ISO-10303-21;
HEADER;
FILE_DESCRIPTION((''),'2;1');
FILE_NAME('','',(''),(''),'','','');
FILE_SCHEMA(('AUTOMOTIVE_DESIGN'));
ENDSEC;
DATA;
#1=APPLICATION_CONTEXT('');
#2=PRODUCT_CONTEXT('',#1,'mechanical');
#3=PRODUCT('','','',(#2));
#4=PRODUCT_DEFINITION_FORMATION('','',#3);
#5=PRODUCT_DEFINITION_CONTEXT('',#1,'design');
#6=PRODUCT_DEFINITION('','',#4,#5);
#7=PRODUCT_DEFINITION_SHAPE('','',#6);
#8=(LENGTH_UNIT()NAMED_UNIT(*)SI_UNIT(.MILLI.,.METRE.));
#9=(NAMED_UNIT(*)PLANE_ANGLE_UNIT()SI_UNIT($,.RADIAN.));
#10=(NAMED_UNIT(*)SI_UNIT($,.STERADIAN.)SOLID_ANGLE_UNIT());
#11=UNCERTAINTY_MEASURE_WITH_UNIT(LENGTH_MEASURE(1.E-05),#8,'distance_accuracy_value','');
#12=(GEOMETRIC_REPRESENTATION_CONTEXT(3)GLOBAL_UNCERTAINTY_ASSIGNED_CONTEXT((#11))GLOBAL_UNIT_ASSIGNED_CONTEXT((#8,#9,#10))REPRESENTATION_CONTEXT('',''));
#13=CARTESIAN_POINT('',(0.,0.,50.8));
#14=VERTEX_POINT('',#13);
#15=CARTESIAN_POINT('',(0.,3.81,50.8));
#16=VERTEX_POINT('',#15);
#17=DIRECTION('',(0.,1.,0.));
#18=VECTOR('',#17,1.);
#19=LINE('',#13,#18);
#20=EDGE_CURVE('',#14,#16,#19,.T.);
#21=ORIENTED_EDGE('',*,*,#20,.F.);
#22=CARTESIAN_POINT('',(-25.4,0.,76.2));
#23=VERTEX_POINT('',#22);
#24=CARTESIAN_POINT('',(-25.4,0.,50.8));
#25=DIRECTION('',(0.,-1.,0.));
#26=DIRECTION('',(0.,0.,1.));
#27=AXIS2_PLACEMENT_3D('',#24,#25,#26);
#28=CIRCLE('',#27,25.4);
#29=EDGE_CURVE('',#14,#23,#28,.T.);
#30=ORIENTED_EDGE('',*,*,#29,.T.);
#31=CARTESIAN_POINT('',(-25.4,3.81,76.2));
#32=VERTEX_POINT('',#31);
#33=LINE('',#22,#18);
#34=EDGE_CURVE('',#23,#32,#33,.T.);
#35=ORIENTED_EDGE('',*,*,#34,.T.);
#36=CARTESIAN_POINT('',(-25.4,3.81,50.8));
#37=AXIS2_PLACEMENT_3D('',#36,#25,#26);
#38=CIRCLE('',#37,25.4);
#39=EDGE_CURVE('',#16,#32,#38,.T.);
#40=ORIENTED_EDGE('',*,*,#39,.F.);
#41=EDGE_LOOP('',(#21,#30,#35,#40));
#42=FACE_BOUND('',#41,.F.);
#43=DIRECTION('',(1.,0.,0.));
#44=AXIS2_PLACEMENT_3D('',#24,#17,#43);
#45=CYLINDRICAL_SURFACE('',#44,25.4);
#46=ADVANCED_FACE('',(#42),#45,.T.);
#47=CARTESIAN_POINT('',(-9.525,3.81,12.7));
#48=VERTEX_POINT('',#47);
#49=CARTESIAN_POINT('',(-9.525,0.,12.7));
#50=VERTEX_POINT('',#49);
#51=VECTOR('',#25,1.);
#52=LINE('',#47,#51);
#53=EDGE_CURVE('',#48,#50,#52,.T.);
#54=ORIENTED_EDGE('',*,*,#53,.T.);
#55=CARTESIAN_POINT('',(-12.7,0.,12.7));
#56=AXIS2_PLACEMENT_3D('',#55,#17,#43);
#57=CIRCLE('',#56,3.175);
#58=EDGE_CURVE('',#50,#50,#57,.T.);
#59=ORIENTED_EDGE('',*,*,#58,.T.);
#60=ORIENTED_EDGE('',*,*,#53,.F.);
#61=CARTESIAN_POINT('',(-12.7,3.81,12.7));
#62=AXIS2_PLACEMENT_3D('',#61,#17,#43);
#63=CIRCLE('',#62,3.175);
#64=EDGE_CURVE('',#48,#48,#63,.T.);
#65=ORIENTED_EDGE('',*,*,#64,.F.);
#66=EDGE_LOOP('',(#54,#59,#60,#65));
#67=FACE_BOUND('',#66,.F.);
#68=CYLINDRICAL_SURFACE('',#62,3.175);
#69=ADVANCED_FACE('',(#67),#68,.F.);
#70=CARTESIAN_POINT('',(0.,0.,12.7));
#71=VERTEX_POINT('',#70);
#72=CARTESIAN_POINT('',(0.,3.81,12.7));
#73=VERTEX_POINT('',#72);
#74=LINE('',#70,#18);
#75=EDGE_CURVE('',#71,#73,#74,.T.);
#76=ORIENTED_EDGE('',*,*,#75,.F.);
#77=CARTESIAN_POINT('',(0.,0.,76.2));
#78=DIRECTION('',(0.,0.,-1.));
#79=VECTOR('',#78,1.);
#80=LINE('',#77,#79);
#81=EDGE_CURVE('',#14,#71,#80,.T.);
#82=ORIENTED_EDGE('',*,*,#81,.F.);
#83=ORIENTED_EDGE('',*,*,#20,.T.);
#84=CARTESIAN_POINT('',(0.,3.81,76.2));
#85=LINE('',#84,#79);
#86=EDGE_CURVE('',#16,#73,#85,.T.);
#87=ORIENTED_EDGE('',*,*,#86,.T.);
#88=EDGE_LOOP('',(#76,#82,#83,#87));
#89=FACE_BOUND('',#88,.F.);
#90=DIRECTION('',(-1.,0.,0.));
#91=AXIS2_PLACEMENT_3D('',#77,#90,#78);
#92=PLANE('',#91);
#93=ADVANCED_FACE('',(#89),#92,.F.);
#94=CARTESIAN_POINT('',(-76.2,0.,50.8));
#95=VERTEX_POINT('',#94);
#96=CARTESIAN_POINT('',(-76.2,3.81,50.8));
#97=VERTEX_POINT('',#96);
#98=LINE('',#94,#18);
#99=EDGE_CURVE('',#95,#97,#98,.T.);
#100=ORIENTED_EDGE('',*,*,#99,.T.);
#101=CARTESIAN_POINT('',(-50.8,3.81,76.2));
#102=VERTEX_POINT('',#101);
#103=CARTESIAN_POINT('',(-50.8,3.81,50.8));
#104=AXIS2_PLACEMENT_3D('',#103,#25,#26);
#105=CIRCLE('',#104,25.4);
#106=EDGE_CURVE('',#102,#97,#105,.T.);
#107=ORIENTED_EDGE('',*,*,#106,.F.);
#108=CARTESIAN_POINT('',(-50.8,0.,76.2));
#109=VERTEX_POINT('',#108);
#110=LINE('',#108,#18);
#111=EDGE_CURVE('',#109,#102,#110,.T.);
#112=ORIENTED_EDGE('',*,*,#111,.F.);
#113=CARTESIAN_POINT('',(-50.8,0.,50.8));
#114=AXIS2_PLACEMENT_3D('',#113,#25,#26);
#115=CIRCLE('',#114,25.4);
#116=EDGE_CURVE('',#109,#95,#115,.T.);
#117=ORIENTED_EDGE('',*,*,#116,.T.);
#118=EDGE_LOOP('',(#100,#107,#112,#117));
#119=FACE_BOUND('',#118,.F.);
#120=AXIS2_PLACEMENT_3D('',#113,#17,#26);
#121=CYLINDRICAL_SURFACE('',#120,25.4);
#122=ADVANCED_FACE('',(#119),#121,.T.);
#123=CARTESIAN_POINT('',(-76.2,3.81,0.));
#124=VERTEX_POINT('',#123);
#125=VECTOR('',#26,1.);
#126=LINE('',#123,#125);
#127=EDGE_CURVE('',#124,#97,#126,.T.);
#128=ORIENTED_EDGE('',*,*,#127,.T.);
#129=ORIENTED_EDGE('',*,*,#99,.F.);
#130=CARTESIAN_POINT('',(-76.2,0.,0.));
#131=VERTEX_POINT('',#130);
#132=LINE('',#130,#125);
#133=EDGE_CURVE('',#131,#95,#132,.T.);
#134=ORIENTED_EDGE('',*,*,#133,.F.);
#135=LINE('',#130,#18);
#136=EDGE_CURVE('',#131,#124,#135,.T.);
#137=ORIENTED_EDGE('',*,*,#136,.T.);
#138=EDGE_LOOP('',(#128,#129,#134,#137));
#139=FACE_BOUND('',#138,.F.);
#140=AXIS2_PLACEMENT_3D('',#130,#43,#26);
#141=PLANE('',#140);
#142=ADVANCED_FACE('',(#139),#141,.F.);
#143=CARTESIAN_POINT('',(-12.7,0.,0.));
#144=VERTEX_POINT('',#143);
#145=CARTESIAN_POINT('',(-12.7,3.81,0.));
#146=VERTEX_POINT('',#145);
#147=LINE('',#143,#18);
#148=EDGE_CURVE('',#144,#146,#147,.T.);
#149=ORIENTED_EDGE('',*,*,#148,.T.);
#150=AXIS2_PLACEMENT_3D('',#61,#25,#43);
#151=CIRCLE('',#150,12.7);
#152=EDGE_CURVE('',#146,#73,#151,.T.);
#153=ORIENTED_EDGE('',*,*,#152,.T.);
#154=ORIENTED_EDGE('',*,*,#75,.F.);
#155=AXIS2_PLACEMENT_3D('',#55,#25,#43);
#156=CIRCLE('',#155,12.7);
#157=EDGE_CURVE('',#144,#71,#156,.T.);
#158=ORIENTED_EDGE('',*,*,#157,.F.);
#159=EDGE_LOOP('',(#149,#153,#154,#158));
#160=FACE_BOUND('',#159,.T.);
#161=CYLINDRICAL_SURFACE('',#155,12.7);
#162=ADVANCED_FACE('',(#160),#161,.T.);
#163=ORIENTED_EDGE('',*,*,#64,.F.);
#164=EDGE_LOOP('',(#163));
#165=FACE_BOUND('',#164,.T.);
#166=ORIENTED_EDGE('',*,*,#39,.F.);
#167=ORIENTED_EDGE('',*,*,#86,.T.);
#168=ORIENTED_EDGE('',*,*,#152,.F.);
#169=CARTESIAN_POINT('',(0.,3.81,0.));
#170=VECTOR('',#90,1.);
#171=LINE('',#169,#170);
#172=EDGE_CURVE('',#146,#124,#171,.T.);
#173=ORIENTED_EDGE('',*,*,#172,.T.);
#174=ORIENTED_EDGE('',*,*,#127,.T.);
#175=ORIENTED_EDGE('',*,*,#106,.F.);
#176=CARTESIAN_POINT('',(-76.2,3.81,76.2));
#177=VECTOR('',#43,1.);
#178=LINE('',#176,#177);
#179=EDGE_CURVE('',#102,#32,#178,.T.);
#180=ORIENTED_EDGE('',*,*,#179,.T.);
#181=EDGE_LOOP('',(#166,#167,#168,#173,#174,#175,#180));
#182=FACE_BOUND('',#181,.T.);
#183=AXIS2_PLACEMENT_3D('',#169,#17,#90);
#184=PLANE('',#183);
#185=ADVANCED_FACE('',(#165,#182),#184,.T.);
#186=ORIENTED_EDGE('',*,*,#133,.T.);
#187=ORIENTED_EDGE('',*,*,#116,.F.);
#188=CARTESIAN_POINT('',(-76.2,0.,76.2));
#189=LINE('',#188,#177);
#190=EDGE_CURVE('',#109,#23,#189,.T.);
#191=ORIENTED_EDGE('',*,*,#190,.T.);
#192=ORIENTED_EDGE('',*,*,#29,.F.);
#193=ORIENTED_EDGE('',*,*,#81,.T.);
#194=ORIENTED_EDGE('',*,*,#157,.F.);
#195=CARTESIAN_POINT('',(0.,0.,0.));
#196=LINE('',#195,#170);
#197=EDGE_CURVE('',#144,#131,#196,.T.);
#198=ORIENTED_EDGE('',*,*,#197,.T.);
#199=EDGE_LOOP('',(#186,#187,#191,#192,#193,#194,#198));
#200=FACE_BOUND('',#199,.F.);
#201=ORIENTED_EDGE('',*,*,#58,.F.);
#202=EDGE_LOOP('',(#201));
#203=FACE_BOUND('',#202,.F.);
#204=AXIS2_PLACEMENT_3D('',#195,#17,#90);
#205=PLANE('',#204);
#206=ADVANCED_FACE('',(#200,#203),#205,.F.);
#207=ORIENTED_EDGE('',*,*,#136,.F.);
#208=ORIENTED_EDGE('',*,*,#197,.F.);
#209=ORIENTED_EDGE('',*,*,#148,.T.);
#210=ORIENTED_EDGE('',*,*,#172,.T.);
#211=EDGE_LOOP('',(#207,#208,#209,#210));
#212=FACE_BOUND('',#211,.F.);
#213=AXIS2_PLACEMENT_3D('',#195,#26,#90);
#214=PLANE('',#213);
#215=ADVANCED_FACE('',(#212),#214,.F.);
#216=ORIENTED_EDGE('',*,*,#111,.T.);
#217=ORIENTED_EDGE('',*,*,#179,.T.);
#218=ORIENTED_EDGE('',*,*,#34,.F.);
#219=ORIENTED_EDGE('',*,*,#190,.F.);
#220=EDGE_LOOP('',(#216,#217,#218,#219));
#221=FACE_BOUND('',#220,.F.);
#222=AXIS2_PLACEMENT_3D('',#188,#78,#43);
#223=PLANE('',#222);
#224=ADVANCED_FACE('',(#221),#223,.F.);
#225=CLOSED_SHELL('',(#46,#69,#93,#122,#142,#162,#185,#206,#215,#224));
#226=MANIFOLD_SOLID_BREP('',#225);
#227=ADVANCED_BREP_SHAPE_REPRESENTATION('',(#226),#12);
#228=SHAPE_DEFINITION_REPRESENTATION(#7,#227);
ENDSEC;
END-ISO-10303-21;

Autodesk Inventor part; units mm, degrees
ref_plane "YZ Plane" through (0, 0, 0) normal (1, 0, 0) x (0, 1, 0)
ref_plane "XZ Plane" through (0, 0, 0) normal (0, 1, 0) x (-1, 0, 0)
ref_plane "XY Plane" through (0, 0, 0) normal (0, 0, 1) x (1, 0, 0)
sketch "Sketch1" plane through (0, 0, 0) normal (0, 1, 0) x (-1, 0, 0)
  line L0 (0, 0) -> (76.2, 0)
  line L1 (76.2, 0) -> (76.2, 76.2)
  line L2 (76.2, 76.2) -> (0, 76.2)
  line L3 (0, 76.2) -> (0, 0)
  dimension "d0" = 76.2
  dimension "d1" = 76.2
extrude "Extrusion1" add sketch "Sketch1" along normal blind 3.81
sketch "Sketch2" plane through (0, 3.81, 0) normal (0, 1, 0) x (1, 0, 0)
  circle A0 centre (-12.7, -12.7) radius 12.7
  circle A1 centre (-12.7, -12.7) radius 3.175
  line L0 (0, 0) -> (-76.2, 0) projected
  line L1 (0, -76.2) -> (0, 0) projected
  dimension "d4" = 25.4
extrude "Extrusion2" cut sketch "Sketch2" against normal blind 3.81 contours A1
sketch "Sketch3" plane through (0, 0, 0) normal (0, -1, 0) x (1, 0, 0)
  circle A0 centre (-12.7, 12.7) radius 3.175 projected
  circle A1 centre (-12.7, 12.7) radius 12.7
  line L0 (0, 76.2) -> (0, 0) projected
  line L1 (0, 0) -> (-76.2, 0) projected
  line L2 (-12.7, 0) -> (0, 0)
  line L3 (0, 0) -> (0, 12.7)
extrude "Extrusion3" cut sketch "Sketch3" against normal blind 3.81 contours L0 L1 A1
fillet "Fillet1" radius 25.4 2 edges at (-76.2, 1.905, 76.2) (0, 1.905, 76.2)
properties part number "moving plate"
